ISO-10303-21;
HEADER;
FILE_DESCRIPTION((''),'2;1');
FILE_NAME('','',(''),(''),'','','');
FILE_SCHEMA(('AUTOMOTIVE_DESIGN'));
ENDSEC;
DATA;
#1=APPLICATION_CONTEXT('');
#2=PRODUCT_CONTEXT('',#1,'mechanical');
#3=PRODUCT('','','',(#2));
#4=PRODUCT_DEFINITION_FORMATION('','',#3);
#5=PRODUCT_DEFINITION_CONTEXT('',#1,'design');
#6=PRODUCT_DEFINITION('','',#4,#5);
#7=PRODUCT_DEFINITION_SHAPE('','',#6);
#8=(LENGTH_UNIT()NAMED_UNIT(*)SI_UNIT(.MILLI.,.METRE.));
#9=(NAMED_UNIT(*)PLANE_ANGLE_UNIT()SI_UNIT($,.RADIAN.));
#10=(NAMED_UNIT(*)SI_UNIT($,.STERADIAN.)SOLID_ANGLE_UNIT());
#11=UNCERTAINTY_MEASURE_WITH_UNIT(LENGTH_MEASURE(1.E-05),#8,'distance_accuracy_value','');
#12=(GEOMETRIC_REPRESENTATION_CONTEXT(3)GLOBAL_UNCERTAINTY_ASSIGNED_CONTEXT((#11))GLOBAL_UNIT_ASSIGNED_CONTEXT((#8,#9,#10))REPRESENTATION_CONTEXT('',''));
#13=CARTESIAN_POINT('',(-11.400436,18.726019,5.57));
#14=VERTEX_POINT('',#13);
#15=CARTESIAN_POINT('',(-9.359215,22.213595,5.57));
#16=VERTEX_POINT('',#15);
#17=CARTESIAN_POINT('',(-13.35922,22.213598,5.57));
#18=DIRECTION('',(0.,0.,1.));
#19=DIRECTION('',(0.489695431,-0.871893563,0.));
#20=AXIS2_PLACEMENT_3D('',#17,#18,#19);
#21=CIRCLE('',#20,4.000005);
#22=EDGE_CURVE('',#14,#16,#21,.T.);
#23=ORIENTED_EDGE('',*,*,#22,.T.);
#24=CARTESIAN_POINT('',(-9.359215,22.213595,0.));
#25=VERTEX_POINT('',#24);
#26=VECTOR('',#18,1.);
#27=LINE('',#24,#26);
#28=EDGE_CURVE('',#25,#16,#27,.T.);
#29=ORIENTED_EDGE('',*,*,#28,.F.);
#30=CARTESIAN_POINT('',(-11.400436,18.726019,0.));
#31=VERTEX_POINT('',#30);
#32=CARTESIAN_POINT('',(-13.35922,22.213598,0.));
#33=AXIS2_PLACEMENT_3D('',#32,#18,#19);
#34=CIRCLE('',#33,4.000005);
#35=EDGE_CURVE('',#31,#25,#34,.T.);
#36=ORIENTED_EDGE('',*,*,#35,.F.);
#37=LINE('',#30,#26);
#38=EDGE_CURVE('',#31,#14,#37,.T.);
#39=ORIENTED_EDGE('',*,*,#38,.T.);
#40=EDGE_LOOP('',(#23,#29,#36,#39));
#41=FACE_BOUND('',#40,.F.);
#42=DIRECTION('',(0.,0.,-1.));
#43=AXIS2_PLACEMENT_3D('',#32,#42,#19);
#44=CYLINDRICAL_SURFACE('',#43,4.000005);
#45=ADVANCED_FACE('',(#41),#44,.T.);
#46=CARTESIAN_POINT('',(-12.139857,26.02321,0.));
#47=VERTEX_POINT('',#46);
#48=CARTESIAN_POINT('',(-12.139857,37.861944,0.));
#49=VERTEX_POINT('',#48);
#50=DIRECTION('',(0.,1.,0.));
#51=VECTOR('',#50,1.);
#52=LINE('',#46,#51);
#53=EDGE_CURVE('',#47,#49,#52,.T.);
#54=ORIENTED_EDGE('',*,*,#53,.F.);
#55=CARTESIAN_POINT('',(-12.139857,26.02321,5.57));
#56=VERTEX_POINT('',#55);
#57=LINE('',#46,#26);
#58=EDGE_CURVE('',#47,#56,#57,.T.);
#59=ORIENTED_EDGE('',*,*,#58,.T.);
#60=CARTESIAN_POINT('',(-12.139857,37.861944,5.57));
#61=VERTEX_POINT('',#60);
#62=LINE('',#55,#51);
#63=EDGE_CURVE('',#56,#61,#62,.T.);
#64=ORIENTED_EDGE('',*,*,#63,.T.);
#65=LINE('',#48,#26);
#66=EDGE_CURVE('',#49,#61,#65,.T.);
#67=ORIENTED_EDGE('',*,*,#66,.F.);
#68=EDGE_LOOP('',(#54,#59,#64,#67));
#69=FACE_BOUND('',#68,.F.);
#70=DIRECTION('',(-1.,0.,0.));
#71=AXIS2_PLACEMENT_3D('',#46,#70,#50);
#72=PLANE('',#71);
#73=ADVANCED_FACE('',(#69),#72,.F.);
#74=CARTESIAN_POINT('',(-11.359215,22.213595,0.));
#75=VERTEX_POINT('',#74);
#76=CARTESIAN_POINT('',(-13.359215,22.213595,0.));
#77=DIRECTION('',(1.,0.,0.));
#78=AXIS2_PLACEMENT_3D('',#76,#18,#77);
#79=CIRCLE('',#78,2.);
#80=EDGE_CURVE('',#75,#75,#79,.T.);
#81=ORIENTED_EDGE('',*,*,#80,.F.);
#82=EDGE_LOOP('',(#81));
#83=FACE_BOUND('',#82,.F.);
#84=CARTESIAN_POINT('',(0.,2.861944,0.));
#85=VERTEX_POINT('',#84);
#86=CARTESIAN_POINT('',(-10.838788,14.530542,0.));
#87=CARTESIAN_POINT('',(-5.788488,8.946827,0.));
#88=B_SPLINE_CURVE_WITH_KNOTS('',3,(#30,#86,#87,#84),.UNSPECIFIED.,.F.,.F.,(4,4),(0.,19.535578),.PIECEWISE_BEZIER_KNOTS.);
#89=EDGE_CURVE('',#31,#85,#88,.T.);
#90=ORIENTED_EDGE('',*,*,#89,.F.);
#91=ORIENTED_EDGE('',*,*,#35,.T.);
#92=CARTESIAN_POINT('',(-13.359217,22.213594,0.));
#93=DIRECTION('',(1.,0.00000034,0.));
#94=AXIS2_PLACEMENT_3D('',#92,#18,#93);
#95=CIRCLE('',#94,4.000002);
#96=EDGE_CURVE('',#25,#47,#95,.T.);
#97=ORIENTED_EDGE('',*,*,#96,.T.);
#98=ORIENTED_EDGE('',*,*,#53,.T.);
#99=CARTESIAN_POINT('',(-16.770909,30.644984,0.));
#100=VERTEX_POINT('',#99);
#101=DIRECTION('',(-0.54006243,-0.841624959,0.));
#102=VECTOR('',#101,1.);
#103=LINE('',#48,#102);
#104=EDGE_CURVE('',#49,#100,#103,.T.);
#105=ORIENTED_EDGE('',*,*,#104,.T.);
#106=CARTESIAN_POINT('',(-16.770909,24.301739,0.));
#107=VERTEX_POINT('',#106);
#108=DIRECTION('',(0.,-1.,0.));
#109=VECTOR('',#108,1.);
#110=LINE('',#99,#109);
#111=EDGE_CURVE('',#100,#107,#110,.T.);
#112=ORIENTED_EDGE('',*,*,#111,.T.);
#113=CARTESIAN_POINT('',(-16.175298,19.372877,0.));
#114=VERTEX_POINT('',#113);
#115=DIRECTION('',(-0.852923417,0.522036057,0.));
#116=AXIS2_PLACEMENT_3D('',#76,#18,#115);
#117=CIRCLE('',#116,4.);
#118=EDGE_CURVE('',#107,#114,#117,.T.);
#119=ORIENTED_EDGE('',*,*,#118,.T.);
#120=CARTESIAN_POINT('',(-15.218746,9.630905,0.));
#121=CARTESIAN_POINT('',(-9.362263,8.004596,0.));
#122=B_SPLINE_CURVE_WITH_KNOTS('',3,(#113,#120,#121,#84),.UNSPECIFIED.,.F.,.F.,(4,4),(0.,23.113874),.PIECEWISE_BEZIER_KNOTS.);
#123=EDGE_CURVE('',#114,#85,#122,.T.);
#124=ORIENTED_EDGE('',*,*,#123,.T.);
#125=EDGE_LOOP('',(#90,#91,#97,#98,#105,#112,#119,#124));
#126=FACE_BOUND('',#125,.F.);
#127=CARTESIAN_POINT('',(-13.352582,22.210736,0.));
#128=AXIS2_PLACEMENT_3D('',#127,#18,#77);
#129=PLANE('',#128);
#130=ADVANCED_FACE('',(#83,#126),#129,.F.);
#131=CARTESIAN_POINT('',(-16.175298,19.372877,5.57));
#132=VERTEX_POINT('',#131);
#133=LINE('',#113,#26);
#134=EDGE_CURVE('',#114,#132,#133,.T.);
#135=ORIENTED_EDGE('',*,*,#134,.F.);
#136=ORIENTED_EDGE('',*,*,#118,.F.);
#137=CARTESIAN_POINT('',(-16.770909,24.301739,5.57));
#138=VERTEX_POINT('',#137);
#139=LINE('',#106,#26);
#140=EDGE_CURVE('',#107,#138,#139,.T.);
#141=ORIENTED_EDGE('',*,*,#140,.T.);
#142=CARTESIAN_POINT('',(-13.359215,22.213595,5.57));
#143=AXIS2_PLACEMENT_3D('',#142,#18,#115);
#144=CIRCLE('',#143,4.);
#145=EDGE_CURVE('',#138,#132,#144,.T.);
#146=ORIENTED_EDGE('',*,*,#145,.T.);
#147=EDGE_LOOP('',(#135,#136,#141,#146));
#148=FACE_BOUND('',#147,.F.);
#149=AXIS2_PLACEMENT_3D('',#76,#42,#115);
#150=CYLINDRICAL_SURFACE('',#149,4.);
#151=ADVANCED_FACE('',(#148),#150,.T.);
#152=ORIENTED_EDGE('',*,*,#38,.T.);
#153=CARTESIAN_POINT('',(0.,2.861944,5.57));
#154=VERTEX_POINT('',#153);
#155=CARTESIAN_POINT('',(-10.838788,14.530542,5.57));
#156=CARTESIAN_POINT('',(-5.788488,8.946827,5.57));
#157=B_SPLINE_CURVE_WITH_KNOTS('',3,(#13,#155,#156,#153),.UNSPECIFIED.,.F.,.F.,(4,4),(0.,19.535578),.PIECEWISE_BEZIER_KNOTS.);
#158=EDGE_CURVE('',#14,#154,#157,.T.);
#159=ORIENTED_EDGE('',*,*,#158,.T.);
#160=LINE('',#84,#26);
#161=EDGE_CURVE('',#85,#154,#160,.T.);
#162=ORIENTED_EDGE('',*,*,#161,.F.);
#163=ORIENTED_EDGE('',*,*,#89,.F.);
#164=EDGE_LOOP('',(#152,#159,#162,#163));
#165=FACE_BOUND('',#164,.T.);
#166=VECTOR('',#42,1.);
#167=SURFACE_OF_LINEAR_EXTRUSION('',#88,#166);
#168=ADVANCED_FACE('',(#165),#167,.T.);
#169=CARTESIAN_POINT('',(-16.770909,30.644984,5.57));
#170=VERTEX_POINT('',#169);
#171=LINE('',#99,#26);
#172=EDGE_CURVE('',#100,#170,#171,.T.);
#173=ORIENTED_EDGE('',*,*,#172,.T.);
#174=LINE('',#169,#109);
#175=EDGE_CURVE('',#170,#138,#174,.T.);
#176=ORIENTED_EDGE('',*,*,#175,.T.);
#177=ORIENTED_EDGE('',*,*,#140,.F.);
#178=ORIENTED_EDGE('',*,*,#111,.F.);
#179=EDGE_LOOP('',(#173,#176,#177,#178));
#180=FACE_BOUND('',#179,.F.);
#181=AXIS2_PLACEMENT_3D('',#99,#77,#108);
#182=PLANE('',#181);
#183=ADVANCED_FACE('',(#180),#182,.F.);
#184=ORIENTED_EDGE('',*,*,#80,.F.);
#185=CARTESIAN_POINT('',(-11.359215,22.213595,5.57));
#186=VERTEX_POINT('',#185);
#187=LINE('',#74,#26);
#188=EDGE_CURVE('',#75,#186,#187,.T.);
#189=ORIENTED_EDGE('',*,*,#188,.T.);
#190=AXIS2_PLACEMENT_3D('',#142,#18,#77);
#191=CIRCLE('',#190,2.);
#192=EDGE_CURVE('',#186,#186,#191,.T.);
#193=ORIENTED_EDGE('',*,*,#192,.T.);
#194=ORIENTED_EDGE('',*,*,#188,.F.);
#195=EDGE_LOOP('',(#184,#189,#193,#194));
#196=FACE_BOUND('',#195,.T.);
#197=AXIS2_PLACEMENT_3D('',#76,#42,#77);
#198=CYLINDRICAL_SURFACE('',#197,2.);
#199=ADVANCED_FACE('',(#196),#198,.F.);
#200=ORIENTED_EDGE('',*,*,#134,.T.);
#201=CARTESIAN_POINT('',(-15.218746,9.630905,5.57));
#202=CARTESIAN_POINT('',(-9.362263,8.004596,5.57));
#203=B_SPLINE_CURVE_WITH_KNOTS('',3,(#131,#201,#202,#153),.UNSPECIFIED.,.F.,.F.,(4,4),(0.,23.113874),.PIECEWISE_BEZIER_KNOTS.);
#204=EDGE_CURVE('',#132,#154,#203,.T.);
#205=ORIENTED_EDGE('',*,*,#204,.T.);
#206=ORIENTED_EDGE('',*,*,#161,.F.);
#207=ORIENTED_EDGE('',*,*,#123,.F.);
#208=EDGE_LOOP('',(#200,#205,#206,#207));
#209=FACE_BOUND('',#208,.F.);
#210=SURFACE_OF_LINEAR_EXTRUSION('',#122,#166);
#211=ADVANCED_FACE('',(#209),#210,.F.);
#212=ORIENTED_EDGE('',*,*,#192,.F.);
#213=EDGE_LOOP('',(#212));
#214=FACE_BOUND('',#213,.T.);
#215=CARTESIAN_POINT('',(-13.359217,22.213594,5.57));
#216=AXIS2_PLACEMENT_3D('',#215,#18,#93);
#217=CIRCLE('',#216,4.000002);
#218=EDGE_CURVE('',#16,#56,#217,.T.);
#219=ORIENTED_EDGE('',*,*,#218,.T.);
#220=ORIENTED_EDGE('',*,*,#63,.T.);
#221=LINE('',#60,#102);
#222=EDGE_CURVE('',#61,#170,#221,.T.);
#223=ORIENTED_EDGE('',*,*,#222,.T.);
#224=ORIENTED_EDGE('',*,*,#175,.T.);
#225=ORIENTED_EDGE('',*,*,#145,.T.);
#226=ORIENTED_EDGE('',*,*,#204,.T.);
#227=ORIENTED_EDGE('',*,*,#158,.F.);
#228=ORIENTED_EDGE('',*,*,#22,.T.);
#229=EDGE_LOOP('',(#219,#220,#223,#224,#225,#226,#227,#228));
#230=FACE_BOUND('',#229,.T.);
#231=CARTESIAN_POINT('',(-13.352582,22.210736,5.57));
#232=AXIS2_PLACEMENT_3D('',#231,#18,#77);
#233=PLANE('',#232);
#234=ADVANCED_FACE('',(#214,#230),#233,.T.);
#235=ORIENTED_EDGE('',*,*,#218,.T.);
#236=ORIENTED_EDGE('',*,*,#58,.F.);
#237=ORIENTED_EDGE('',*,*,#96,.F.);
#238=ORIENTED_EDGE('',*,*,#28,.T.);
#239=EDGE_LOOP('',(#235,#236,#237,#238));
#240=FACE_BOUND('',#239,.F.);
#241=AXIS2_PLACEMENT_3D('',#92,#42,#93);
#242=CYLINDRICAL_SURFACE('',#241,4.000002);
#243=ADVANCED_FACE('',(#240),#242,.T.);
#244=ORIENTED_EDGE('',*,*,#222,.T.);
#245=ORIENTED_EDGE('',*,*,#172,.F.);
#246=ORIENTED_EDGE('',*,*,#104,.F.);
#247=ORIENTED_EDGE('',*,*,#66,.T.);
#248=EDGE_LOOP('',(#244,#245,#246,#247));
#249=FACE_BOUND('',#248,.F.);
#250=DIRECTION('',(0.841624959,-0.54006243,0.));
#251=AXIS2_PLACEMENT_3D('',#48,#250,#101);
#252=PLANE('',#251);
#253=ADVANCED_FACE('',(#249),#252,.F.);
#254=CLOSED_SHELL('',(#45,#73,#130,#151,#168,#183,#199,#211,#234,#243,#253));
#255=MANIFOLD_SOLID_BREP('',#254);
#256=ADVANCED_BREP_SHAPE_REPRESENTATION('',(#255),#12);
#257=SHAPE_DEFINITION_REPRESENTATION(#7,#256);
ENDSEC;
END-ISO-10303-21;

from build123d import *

# Parameters (mm, degrees)
F0_R     = 2
F1_DEPTH = 5.57


with BuildPart() as f1:
    # F0 (on Top) → F1 (new body)
    with BuildSketch(Plane.XY):
        with BuildLine():
            ThreePointArc((-11.400436, 18.726019), (-9.907034, 20.19309), (-9.359215, 22.213595))
            ThreePointArc((-9.359215, 22.213595), (-10.128315, 24.571832), (-12.139857, 26.02321))
            ThreePointArc((-12.139857, 26.02321), (-14.752933, 25.962935), (-16.770909, 24.301739))
            ThreePointArc((-16.770909, 24.301739), (-17.330326, 21.73372), (-16.175298, 19.372877))
            ThreePointArc((-16.175298, 19.372877), (-13.896196, 18.249802), (-11.400436, 18.726019))
        make_face()
        with Locations((-13.359215, 22.213595)):
            Circle(F0_R, mode=Mode.SUBTRACT)
        with BuildLine():
            ThreePointArc((-16.770909, 24.301739), (-14.752933, 25.962935), (-12.139857, 26.02321))
            Line((-12.139857, 26.02321), (-12.139857, 37.861944))
            Line((-12.139857, 37.861944), (-16.770909, 30.644984))
            Line((-16.770909, 30.644984), (-16.770909, 24.301739))
        make_face()
        with BuildLine():
            add(Edge.make_bspline(
                [(-11.400436, 18.726019), (-10.838788, 14.530542), (-5.788488, 8.946827), (0, 2.861944)],
                knots=[0, 0, 0, 0, 19.535578, 19.535578, 19.535578, 19.535578], degree=3))
            ThreePointArc((-11.400436, 18.726019), (-13.896196, 18.249802), (-16.175298, 19.372877))
            add(Edge.make_bspline(
                [(-16.175298, 19.372877), (-15.218746, 9.630905), (-9.362263, 8.004596), (0, 2.861944)],
                knots=[0, 0, 0, 0, 23.113874, 23.113874, 23.113874, 23.113874], degree=3))
        make_face()
    extrude(amount=F1_DEPTH)


solid = f1.part
